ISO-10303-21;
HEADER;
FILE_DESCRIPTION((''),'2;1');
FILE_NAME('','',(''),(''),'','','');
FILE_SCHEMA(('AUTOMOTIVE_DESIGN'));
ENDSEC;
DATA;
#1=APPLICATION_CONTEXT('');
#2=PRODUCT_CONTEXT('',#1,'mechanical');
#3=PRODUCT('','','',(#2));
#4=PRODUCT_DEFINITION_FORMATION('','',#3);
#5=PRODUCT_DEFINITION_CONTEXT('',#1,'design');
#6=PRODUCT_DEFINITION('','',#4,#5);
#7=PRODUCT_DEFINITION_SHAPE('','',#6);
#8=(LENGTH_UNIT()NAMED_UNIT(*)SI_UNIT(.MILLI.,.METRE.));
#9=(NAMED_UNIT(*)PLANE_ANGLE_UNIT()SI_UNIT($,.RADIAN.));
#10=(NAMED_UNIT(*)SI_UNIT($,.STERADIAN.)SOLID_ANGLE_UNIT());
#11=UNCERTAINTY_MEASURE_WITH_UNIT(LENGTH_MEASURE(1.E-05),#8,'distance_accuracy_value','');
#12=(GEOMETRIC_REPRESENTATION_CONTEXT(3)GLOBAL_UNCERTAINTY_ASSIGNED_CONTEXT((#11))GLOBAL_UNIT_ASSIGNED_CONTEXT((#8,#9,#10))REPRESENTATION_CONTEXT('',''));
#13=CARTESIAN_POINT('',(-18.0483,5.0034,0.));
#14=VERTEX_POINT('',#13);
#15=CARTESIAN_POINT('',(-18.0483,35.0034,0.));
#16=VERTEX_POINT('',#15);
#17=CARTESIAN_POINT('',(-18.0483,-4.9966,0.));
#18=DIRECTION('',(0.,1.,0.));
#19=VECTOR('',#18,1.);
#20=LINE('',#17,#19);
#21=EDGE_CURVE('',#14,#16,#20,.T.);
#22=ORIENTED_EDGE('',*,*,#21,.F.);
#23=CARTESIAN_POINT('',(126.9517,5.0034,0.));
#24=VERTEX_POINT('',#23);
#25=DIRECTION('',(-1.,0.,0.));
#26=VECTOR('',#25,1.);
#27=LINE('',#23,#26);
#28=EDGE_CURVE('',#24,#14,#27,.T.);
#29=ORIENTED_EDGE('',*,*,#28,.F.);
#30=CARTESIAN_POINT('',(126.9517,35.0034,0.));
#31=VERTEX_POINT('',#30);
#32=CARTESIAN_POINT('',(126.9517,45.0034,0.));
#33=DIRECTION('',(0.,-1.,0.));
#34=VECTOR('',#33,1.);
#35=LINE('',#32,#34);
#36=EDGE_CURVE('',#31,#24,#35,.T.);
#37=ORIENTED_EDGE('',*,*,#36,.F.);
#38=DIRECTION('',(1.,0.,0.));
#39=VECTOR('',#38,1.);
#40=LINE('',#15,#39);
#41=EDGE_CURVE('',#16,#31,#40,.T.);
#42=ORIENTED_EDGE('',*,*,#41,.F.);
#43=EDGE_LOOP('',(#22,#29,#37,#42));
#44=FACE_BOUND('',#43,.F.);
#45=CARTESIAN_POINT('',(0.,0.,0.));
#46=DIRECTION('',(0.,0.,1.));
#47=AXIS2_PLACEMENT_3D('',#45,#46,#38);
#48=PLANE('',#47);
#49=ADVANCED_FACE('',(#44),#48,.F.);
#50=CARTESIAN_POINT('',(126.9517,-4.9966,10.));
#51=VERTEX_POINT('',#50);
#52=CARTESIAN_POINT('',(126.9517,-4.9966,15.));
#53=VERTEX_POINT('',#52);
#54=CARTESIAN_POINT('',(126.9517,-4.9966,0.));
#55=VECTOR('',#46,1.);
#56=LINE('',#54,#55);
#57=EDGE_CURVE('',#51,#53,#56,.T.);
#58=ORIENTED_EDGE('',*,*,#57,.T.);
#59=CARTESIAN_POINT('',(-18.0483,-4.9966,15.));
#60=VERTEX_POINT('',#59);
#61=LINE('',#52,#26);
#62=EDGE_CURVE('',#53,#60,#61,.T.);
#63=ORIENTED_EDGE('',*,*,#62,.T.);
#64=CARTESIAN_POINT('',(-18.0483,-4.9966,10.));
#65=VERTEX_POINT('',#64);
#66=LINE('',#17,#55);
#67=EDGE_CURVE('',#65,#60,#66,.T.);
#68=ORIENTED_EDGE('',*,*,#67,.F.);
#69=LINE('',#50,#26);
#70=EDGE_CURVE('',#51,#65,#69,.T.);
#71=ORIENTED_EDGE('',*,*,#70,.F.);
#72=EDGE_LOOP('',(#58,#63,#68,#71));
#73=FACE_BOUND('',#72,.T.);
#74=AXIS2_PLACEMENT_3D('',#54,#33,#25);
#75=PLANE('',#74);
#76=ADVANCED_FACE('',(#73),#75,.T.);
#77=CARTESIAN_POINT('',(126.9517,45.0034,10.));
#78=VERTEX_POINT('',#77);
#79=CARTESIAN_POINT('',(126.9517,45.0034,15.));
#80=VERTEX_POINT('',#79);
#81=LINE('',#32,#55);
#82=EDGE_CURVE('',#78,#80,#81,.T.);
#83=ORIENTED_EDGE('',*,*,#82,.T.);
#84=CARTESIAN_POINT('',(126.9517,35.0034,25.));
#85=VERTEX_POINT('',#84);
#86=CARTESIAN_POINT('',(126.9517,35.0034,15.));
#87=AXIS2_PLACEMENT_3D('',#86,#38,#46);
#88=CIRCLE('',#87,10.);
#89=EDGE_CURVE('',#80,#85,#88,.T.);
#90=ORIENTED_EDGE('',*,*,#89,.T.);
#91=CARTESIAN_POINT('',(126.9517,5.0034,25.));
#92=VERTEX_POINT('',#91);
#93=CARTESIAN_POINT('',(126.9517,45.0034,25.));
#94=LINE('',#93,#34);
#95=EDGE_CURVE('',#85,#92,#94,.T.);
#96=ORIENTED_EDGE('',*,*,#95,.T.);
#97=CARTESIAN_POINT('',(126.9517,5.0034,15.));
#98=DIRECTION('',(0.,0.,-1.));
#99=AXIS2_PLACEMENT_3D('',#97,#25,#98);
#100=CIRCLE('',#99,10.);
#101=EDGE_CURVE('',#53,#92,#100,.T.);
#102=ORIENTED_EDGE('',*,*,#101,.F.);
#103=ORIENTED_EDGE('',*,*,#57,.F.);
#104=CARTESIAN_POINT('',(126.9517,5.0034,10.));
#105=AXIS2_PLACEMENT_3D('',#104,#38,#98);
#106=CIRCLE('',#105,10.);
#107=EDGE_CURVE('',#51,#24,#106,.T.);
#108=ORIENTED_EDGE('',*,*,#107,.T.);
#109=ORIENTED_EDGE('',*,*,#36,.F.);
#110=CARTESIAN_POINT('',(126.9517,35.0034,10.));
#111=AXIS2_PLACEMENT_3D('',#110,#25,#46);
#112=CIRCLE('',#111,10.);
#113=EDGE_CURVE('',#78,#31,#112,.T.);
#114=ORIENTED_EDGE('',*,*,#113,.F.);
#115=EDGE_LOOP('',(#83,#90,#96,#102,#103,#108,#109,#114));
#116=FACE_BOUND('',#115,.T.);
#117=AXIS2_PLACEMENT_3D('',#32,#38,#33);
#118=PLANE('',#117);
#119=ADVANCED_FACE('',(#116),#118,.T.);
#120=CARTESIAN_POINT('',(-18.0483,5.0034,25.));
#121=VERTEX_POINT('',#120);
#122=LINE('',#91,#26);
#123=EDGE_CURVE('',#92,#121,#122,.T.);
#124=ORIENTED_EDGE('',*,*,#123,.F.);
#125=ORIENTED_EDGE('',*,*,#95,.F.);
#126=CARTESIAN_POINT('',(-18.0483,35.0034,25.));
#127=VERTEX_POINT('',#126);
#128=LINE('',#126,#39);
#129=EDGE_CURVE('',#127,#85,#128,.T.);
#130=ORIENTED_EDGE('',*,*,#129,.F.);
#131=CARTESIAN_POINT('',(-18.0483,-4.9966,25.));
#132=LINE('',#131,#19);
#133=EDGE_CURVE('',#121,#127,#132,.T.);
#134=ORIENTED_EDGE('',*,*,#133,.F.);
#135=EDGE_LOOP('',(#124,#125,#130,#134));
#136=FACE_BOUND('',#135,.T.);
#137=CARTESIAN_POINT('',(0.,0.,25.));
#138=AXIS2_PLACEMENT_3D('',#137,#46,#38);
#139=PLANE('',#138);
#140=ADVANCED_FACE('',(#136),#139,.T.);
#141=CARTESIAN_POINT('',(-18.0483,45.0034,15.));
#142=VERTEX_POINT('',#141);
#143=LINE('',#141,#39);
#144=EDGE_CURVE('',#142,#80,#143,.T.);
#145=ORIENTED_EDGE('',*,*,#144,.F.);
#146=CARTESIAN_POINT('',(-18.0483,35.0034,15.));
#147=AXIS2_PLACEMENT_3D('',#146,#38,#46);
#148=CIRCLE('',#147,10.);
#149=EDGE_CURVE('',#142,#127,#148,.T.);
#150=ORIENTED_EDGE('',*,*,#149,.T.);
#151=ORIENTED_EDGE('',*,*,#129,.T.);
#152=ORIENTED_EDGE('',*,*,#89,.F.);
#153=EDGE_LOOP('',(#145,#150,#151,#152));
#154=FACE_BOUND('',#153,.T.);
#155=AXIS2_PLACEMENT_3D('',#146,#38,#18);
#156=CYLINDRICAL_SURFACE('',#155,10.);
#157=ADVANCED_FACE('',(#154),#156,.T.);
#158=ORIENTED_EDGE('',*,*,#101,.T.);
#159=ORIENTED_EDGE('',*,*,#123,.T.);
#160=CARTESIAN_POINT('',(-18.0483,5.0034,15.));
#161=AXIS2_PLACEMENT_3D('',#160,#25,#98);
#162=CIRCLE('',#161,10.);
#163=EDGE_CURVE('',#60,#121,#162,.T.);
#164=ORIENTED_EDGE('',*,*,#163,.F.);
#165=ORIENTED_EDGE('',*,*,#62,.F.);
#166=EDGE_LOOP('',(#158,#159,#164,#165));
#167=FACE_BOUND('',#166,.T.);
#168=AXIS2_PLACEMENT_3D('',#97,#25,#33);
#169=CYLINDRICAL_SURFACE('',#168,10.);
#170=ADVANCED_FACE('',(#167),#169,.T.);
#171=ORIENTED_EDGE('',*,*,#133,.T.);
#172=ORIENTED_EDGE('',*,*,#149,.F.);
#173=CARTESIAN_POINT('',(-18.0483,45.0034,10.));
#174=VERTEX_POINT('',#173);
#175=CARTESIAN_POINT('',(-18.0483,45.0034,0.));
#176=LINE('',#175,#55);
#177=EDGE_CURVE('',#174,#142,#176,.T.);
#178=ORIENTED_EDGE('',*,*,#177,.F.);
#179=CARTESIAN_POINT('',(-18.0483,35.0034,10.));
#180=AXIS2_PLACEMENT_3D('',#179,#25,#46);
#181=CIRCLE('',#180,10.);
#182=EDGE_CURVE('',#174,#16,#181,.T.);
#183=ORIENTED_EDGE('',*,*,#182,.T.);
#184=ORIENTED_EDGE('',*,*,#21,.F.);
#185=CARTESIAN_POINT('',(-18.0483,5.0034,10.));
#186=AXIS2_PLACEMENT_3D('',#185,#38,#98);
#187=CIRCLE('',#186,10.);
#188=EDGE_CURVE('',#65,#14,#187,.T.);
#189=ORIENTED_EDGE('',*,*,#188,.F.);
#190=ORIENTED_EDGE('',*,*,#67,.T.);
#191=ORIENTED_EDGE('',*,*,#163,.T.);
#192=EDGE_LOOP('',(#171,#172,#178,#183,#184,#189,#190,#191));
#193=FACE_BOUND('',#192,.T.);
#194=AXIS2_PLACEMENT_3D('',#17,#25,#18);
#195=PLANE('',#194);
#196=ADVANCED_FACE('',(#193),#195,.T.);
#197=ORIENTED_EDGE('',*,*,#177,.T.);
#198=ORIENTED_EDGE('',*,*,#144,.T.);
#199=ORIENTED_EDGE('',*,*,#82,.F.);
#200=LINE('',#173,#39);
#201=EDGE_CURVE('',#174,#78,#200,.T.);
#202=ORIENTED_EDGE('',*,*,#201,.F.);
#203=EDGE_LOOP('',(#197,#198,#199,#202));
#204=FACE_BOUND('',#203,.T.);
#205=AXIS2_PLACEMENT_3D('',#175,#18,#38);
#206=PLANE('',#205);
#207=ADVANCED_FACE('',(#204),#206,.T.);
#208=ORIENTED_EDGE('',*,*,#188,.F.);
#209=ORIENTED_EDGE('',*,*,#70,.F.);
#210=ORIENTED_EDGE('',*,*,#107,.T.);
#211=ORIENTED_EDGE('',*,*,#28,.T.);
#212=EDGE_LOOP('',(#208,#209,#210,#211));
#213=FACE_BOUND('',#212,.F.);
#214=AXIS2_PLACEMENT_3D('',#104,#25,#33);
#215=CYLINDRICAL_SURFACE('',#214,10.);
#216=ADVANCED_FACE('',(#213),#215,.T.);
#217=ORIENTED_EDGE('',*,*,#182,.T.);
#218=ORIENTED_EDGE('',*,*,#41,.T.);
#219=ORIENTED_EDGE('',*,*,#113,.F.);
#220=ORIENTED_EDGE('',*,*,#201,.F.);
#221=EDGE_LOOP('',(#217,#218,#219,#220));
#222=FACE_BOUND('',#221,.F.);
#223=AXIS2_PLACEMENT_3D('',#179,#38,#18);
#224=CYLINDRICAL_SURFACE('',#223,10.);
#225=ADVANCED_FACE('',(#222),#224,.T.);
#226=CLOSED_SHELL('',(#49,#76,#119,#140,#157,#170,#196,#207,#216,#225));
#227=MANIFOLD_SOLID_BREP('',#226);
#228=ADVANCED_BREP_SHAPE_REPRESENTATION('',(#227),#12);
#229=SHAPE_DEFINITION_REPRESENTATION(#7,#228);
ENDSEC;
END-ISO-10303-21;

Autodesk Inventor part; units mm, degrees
ref_plane "YZ Plane" through (0, 0, 0) normal (1, 0, 0) x (0, 1, 0)
ref_plane "XZ Plane" through (0, 0, 0) normal (0, 1, 0) x (-1, 0, 0)
ref_plane "XY Plane" through (0, 0, 0) normal (0, 0, 1) x (1, 0, 0)
sketch "スケッチ1" plane through (0, 0, 0) normal (0, 0, 1) x (1, 0, 0)
  line L0 (-18.0483, 45.0034) -> (126.9517, 45.0034)
  line L1 (126.9517, 45.0034) -> (126.9517, -4.9966)
  line L2 (126.9517, -4.9966) -> (-18.0483, -4.9966)
  line L3 (-18.0483, -4.9966) -> (-18.0483, 45.0034)
  point P0 (0, 0)
  dimension "d0" = 145
  dimension "d1" = 50
extrude "押し出し1" add sketch "スケッチ1" along normal blind 25
fillet "フィレット1" radius 10 4 edges at (54.4517, 45.0034, 25) (54.4517, 45.0034, 0) (54.4517, -4.9966, 25) (54.4517, -4.9966, 0)
properties part number "バッテリー"
